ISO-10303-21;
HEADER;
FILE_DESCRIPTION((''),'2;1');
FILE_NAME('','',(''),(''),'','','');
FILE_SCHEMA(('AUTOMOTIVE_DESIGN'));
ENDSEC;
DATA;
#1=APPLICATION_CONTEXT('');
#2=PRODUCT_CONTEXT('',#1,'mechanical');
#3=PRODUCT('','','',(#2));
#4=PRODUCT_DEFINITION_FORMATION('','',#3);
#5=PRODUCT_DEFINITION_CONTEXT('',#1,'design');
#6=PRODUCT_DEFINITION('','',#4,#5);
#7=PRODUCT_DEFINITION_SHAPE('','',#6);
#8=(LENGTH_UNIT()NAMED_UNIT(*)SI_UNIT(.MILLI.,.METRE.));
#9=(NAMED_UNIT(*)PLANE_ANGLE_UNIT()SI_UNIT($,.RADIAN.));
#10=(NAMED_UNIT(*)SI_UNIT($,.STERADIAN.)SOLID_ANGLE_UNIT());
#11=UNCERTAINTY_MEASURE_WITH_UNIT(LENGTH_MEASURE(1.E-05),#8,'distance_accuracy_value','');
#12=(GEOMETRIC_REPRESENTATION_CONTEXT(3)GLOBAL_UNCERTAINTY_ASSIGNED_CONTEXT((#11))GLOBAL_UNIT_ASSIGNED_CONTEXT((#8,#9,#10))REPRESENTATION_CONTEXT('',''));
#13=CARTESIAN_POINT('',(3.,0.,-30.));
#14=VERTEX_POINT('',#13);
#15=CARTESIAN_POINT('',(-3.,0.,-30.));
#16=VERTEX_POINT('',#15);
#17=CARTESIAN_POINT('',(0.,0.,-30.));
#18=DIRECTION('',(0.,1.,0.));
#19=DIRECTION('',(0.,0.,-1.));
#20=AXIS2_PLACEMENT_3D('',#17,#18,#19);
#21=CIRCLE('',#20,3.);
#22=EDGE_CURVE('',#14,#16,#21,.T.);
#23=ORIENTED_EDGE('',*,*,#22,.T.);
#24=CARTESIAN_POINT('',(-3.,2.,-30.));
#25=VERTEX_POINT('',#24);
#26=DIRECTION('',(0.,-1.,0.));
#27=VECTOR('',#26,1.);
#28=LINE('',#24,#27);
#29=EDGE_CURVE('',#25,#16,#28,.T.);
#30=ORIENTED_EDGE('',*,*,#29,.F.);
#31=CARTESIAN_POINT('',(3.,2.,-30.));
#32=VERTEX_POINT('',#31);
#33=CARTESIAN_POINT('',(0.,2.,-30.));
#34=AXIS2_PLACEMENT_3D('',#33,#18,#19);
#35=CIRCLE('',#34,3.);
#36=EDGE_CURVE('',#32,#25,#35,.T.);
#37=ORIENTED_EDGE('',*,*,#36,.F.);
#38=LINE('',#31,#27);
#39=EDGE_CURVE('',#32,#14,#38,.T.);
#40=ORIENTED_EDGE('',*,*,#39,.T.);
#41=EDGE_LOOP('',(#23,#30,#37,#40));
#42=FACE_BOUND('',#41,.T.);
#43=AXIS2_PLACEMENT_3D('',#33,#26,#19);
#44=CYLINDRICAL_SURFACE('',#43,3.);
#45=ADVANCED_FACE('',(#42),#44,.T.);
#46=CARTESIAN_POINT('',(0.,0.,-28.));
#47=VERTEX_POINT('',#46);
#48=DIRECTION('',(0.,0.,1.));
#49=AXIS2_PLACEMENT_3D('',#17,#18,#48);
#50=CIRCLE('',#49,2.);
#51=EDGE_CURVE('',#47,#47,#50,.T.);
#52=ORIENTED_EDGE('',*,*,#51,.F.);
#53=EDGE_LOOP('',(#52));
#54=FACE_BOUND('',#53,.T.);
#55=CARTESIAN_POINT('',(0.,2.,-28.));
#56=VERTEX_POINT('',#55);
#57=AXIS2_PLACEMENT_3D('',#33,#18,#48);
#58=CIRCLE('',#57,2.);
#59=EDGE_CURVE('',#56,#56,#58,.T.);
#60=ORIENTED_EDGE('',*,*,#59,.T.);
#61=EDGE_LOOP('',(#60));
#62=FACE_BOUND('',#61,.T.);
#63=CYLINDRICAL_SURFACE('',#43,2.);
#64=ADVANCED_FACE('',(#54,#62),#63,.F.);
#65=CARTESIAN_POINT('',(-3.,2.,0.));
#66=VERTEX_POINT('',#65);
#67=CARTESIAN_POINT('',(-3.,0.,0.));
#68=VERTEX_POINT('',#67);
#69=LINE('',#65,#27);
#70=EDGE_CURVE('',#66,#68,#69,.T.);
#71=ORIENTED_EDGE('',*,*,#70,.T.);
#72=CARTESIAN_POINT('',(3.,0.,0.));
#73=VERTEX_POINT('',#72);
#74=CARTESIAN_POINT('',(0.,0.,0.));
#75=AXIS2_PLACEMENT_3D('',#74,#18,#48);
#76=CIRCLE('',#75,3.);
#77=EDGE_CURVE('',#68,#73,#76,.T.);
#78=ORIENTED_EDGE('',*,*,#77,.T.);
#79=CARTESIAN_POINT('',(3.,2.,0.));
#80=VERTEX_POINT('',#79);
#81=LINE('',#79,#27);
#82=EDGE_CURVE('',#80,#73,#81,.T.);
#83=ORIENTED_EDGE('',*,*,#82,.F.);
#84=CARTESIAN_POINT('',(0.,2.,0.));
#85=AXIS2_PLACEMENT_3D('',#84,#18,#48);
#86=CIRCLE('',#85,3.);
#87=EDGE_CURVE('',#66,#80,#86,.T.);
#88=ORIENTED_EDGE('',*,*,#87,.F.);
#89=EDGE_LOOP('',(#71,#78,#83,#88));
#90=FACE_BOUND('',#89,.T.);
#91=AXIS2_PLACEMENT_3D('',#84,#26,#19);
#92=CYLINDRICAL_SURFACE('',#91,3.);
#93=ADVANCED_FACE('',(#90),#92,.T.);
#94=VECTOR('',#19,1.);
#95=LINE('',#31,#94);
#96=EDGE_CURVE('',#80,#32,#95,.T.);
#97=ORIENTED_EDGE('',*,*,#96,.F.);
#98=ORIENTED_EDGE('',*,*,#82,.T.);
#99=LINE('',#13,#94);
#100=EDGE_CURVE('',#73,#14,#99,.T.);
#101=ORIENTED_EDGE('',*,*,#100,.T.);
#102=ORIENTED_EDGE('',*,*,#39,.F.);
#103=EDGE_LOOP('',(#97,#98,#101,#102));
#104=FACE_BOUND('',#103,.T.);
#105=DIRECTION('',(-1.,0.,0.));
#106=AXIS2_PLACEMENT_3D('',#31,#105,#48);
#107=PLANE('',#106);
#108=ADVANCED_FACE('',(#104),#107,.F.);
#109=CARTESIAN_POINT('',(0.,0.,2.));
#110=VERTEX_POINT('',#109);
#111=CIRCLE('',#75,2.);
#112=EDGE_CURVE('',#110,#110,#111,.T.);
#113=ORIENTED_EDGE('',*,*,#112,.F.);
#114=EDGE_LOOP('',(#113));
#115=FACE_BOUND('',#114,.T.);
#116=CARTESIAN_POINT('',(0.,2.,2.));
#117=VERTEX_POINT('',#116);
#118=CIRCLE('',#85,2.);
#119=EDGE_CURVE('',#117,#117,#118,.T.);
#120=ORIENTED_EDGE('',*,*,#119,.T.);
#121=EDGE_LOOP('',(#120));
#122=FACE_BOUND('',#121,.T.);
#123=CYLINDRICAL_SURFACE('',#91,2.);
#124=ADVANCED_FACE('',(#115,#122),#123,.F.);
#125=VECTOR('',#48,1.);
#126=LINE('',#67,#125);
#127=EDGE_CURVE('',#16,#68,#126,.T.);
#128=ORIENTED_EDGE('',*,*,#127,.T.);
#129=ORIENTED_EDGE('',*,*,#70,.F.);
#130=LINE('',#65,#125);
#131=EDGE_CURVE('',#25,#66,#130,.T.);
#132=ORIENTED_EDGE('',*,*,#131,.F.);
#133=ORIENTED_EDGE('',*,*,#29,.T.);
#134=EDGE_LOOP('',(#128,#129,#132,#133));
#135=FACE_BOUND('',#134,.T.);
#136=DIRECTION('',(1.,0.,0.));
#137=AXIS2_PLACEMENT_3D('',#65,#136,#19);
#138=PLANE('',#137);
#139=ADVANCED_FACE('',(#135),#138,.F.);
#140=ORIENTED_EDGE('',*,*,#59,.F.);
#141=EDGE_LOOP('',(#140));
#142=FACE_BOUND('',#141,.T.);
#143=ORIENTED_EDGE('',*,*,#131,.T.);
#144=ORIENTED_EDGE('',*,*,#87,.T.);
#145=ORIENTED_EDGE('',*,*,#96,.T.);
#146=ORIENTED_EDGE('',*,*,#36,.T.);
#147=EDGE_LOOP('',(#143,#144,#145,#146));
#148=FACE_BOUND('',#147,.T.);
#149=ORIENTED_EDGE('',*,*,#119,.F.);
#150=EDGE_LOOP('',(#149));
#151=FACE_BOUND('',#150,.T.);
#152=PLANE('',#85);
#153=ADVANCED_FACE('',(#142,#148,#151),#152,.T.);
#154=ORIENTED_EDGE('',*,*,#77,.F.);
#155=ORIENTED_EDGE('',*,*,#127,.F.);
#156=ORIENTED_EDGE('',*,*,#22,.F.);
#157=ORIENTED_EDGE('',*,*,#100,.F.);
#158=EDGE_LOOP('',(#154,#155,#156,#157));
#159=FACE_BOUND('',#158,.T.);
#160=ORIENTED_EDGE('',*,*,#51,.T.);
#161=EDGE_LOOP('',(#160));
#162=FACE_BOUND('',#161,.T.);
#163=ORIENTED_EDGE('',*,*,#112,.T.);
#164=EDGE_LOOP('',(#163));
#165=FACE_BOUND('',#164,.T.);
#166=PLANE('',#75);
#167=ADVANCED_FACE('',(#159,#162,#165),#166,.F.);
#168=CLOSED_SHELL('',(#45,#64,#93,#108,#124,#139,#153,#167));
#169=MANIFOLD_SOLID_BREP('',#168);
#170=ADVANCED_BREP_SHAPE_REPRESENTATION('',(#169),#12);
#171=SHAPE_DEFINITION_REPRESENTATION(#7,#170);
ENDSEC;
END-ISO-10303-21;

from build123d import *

# Parameters (mm, degrees)
SKETCH1_R           = 2
BOSS_EXTRUDE1_DEPTH = 2


with BuildPart() as part:
    # Sketch1 → Boss-Extrude1 (new body)
    with BuildSketch(Plane(origin=(0, 0, 0), x_dir=(1, 0, 0), z_dir=(0, 1, 0))):
        with BuildLine():
            Line((-3, 0), (-3, 30))
            ThreePointArc((-3, 30), (0, 33), (3, 30))
            Line((3, 30), (3, 0))
            ThreePointArc((3, 0), (0, -3), (-3, 0))
        make_face()
        with Locations(Location((0, 30, 0), (0, 0, 270))):
            Circle(SKETCH1_R, mode=Mode.SUBTRACT)
        with Locations(Location((0, 0, 0), (0, 0, 270))):
            Circle(SKETCH1_R, mode=Mode.SUBTRACT)
    extrude(amount=BOSS_EXTRUDE1_DEPTH)


solid = part.part
